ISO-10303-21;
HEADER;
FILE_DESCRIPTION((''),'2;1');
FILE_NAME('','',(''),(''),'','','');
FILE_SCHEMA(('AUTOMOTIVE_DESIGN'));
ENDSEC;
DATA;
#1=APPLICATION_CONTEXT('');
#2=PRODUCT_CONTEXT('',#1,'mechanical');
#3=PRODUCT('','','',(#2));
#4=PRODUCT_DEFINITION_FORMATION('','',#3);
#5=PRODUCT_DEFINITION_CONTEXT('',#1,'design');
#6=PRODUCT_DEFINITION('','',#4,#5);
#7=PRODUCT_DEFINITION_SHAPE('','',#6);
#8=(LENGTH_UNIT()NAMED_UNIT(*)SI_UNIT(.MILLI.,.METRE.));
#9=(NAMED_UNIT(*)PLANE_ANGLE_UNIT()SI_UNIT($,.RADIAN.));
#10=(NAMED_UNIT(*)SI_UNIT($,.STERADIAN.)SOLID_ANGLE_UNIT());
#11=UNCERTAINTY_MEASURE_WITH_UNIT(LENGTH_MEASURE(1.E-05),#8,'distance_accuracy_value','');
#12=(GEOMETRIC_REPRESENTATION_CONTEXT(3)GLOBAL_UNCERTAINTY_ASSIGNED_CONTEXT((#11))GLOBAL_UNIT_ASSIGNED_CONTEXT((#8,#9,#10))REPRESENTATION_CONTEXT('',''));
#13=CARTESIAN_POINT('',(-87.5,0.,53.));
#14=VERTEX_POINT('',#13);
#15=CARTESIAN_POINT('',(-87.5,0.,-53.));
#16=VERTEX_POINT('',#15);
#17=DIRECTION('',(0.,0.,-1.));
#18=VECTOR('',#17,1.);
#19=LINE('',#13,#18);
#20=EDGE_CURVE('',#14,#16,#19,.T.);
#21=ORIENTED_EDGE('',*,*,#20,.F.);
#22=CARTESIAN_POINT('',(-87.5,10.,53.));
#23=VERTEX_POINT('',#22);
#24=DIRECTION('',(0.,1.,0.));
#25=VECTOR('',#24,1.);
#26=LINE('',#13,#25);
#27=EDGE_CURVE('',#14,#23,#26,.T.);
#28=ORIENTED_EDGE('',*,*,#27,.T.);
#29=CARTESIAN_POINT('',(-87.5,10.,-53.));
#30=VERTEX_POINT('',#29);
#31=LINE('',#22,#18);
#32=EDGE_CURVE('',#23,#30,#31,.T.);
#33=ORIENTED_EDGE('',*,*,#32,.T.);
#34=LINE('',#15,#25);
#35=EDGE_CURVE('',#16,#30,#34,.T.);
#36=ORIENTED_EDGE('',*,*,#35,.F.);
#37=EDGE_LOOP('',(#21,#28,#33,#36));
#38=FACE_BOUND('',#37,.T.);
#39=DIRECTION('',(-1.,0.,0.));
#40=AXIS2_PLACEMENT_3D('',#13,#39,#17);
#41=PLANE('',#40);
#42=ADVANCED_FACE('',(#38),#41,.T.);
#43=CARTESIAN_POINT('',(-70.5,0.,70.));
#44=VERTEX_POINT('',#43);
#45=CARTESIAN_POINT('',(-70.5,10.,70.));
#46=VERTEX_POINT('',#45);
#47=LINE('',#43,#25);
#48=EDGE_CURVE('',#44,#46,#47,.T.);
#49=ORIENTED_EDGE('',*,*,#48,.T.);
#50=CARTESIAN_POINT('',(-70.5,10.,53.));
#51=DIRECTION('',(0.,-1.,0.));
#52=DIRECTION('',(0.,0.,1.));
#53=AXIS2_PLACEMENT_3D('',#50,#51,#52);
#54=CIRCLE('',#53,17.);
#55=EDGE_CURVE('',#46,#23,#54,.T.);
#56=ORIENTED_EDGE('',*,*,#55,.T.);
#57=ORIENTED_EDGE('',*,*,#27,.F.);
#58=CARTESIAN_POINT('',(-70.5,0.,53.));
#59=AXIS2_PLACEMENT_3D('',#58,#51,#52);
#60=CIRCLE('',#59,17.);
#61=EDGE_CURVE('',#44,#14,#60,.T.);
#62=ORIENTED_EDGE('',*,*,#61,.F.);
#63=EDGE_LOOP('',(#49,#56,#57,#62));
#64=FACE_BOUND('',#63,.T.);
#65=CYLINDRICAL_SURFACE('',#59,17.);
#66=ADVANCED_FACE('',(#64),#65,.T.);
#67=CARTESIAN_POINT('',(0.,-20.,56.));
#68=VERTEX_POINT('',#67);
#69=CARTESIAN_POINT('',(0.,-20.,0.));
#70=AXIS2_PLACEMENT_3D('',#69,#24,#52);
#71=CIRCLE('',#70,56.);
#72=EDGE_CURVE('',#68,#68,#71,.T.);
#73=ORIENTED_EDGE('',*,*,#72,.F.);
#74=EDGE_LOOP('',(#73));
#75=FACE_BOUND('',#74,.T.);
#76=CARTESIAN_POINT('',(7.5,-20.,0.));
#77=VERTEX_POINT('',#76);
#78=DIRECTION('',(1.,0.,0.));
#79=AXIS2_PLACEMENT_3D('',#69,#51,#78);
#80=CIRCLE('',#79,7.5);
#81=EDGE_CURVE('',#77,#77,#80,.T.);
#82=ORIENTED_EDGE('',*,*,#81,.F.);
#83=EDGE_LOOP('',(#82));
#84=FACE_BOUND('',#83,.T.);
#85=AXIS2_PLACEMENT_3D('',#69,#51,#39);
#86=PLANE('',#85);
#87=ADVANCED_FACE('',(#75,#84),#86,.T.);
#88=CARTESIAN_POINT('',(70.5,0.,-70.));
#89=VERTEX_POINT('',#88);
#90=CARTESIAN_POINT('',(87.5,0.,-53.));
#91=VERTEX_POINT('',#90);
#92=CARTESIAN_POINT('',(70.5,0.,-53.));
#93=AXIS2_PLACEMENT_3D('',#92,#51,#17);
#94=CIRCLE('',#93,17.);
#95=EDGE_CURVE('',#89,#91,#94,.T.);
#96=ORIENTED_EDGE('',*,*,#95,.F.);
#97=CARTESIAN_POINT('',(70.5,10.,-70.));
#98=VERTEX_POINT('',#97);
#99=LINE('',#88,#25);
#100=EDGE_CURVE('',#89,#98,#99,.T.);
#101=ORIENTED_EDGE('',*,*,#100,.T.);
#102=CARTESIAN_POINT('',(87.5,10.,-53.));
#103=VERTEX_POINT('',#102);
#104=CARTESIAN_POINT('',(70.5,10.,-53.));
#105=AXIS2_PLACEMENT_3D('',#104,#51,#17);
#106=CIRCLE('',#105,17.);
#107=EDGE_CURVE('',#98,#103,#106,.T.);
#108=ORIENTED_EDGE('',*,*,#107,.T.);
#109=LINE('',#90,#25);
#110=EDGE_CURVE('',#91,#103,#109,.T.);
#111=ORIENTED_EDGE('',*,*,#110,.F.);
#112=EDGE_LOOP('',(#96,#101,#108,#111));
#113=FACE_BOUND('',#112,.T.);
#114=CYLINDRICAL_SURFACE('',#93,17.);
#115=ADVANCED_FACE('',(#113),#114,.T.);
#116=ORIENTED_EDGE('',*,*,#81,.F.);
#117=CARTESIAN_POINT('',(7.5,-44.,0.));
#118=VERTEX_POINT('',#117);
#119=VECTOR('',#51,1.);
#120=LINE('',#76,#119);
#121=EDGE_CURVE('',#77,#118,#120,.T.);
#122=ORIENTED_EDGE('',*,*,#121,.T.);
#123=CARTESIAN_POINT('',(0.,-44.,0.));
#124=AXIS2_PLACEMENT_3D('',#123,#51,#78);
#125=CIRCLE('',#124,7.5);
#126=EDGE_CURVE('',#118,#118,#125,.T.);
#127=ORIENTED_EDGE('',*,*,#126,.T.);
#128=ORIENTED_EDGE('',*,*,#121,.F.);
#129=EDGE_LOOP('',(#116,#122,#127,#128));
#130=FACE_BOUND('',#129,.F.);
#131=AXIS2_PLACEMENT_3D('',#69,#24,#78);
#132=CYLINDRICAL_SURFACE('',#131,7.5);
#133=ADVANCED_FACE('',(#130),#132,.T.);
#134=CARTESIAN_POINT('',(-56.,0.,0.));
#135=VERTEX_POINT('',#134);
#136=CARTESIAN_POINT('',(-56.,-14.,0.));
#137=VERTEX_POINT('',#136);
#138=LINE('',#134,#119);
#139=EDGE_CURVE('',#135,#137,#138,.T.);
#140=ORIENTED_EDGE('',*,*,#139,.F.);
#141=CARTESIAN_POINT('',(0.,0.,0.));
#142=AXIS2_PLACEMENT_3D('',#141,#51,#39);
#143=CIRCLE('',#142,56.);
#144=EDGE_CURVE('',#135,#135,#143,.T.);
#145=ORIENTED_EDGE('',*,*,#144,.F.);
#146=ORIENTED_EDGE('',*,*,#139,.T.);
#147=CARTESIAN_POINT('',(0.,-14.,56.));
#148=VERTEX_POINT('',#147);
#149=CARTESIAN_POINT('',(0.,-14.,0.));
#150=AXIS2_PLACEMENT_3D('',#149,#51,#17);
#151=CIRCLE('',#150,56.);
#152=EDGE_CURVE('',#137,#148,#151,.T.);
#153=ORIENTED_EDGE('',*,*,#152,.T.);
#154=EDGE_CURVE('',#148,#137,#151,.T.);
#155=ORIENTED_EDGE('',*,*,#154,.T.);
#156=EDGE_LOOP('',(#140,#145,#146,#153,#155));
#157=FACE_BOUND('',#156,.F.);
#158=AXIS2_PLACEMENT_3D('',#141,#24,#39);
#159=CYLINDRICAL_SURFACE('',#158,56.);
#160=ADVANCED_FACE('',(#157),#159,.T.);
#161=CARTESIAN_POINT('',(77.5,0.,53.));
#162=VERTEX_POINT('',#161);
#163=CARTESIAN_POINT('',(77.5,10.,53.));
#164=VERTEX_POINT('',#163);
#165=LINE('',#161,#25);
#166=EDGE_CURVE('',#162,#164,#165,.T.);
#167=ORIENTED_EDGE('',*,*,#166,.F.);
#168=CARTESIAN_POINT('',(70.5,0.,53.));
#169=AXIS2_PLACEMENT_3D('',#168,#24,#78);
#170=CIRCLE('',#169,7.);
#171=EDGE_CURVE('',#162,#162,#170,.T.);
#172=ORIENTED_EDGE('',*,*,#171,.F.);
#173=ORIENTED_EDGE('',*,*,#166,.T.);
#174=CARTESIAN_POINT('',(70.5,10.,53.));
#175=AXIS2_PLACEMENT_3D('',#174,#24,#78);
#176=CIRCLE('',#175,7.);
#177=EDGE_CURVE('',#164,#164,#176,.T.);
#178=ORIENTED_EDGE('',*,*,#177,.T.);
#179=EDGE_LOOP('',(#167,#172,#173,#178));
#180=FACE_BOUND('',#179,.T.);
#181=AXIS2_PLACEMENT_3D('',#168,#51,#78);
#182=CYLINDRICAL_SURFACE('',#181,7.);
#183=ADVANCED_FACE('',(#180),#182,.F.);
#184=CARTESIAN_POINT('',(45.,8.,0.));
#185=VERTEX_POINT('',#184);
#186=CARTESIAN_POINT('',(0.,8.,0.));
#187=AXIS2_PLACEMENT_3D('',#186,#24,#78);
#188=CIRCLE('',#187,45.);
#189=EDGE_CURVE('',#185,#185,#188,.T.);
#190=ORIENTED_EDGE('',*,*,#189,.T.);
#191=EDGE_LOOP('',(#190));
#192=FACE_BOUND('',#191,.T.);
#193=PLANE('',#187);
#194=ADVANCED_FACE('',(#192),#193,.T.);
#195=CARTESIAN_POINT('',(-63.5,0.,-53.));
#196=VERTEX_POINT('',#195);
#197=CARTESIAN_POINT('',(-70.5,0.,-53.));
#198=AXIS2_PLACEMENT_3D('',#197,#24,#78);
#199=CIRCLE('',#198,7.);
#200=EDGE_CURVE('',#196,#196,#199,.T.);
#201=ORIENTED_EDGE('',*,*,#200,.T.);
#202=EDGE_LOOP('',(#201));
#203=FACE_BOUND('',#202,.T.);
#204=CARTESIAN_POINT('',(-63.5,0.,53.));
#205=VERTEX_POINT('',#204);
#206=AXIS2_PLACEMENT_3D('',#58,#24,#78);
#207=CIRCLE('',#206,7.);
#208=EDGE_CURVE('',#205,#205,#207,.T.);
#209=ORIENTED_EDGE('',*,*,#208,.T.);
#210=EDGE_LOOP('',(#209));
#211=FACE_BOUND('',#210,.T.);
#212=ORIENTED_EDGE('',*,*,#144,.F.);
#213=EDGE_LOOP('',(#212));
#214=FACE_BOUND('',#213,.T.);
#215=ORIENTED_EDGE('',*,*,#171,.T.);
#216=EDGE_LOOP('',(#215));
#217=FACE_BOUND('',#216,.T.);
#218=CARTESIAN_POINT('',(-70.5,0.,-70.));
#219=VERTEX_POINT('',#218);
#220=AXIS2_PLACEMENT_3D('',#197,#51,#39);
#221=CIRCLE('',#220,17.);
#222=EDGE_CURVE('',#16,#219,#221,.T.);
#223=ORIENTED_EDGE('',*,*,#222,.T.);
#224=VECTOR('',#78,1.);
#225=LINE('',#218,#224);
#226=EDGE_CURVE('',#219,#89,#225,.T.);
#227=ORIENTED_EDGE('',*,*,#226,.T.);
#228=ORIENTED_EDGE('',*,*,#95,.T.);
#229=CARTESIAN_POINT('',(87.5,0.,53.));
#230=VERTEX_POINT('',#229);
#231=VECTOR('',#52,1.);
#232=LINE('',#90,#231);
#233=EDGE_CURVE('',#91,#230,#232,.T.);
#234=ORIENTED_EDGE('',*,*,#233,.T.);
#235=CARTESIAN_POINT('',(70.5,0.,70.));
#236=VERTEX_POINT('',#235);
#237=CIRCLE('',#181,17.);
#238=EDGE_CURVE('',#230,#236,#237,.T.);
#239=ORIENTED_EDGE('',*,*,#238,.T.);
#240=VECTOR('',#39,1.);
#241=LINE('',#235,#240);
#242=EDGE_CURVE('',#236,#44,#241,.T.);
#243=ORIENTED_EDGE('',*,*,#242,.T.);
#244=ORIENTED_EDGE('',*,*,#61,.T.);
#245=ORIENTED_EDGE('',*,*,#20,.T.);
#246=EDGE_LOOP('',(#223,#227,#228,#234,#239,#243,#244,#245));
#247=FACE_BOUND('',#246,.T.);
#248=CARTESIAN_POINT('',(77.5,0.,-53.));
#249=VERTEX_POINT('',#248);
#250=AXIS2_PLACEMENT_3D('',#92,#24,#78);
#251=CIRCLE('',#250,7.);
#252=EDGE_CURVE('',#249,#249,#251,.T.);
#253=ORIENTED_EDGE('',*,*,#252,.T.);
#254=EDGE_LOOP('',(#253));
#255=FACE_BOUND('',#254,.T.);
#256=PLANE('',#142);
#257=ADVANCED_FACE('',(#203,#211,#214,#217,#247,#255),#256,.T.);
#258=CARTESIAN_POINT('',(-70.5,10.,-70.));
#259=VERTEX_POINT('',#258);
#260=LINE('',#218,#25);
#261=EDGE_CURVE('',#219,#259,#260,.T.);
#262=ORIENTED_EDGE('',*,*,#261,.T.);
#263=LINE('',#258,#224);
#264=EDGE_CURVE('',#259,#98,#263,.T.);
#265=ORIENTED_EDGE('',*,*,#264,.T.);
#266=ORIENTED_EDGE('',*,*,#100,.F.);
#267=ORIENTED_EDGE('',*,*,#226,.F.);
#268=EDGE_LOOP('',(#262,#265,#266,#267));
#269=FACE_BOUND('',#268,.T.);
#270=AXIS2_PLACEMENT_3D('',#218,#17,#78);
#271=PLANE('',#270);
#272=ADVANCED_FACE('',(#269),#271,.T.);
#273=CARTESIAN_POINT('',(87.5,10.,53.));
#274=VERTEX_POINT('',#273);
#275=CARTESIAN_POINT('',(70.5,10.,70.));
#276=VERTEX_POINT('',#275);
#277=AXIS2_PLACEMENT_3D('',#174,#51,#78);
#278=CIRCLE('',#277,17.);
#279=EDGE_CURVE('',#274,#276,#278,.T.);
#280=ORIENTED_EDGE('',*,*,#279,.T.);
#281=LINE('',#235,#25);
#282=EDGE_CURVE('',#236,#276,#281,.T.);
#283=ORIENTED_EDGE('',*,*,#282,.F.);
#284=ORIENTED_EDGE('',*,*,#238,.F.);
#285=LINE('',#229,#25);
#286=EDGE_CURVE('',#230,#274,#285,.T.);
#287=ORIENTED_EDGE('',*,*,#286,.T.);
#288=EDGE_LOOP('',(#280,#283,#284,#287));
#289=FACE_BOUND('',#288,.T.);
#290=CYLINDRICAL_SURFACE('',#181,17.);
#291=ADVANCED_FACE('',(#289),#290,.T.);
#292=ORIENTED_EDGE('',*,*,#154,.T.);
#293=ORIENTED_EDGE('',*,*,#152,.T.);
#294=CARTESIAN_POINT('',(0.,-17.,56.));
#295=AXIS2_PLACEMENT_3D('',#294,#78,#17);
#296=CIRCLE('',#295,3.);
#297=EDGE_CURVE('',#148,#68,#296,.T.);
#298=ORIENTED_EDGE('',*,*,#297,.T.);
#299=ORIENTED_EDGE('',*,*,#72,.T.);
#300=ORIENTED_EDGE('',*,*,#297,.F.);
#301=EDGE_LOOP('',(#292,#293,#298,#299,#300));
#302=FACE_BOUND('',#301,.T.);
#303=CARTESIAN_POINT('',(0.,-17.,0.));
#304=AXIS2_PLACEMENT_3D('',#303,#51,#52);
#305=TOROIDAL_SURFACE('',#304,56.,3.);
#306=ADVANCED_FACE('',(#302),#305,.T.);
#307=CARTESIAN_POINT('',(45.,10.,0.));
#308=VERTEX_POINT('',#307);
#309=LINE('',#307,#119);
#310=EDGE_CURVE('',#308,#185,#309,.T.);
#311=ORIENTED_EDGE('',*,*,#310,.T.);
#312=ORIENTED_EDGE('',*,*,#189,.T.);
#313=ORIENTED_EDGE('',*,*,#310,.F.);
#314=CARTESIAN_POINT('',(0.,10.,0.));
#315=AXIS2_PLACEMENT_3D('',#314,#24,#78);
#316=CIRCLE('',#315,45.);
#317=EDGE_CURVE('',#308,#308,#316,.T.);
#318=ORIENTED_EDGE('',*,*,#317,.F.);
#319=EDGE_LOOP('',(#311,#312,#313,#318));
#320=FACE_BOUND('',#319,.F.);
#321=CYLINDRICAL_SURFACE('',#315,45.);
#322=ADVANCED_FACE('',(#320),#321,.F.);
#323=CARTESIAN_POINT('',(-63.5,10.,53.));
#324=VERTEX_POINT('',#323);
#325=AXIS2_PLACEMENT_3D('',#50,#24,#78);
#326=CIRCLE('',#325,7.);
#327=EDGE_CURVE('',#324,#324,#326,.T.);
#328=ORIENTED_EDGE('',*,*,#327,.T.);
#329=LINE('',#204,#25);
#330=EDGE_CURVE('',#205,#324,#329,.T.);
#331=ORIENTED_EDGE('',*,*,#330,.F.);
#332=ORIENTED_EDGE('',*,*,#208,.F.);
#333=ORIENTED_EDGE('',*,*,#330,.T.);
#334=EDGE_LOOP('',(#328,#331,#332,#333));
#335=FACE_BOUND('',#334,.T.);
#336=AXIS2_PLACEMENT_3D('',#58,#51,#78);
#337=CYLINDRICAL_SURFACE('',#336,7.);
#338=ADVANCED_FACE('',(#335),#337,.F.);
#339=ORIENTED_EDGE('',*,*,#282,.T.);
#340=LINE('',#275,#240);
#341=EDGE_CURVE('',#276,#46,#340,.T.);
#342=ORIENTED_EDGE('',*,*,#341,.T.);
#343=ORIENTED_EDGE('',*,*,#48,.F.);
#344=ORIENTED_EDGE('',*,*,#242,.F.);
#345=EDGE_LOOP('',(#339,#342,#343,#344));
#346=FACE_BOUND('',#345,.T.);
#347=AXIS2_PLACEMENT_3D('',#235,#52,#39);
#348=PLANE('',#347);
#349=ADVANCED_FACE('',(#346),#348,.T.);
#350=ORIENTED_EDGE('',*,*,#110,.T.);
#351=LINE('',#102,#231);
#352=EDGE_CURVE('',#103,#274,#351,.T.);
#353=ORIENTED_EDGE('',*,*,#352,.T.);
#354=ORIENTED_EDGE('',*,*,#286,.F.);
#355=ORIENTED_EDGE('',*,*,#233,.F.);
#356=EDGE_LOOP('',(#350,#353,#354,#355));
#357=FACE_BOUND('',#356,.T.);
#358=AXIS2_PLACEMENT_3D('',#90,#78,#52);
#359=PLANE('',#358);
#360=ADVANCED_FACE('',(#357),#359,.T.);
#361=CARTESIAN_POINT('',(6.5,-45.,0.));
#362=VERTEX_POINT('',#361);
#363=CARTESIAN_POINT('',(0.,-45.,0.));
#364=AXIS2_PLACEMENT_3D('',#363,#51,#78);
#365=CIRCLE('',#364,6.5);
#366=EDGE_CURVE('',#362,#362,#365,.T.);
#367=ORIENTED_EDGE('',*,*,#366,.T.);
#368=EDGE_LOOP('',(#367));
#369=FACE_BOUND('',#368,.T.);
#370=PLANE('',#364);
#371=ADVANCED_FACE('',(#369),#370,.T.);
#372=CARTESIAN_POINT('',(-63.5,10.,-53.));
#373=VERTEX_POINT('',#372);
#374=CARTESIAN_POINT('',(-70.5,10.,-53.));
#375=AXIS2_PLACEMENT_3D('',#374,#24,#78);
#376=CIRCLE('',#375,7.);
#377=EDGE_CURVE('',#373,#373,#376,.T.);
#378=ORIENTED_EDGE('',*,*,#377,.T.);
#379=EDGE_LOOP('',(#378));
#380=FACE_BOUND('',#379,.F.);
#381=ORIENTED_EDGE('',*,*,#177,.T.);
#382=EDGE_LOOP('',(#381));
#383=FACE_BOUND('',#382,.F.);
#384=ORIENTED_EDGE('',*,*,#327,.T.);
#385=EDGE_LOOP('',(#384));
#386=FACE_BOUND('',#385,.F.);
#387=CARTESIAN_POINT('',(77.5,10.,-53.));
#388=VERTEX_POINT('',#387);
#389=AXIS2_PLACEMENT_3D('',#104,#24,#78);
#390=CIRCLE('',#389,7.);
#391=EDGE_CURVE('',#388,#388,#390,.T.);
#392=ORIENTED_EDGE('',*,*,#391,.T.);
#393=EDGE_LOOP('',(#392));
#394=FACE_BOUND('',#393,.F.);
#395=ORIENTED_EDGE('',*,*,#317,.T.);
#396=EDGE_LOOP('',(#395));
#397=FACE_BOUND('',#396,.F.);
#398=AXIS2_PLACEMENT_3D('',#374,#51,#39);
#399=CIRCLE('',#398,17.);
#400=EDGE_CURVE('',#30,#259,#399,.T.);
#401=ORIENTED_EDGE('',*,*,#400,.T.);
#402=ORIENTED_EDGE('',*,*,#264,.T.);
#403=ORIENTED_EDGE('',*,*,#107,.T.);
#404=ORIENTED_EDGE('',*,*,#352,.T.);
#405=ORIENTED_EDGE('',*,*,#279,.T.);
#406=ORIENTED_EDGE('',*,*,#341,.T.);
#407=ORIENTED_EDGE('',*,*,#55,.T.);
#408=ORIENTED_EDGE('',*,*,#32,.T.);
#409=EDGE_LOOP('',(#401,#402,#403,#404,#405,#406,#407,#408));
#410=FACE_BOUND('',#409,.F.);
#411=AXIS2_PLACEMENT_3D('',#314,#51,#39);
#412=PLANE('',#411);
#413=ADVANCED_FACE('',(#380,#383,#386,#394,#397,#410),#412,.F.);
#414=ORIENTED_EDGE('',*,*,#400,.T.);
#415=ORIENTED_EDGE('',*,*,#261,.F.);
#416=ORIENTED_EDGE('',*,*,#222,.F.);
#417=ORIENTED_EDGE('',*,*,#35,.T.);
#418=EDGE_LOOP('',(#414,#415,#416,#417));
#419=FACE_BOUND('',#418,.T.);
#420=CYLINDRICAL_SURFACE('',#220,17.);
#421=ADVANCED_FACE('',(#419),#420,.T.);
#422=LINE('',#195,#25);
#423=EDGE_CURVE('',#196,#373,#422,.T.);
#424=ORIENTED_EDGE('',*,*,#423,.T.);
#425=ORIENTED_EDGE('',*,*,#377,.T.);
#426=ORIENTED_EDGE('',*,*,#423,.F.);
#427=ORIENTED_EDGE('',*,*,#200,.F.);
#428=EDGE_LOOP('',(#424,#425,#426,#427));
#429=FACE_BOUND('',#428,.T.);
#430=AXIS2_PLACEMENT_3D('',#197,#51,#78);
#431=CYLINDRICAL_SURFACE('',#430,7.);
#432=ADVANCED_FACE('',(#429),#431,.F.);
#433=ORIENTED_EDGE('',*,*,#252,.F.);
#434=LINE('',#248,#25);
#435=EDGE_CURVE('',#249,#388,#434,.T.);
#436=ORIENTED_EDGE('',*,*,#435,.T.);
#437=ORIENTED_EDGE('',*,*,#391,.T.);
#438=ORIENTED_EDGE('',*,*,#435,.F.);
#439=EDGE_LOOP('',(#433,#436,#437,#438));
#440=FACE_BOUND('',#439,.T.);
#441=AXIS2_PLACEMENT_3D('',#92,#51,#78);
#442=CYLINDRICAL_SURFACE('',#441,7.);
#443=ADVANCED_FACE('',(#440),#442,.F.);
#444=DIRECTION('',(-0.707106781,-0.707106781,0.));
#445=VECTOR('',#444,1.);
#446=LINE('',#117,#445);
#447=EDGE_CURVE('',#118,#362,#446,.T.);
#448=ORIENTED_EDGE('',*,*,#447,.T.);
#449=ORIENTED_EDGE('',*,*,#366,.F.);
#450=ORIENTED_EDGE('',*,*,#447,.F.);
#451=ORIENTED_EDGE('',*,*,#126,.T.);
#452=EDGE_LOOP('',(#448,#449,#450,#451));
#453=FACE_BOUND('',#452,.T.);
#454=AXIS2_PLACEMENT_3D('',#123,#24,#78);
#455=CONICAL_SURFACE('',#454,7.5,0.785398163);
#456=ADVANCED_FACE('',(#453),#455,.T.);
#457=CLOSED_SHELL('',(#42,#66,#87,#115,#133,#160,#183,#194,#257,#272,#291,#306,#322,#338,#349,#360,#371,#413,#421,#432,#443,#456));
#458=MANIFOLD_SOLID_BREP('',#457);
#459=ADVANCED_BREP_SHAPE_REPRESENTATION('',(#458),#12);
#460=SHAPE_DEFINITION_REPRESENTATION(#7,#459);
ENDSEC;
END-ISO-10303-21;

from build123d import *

# Parameters (mm, degrees)
SKETCH1_R           = 7
BOSS_EXTRUDE2_DEPTH = 10
SKETCH3_R           = 56
BOSS_EXTRUDE4_DEPTH = 20
SKETCH5_R           = 3
SKETCH6_R           = 7.5
BOSS_EXTRUDE5_DEPTH = 25
CHAMFER1_SIZE       = 1
SKETCH7_R           = 45
CUT_EXTRUDE2_DEPTH  = 2


with BuildPart() as part:
    # Sketch1 → Boss-Extrude2 (new body)
    with BuildSketch(Plane(origin=(0, 0, 0), x_dir=(1, 0, 0), z_dir=(0, 1, 0))):
        with BuildLine():
            Line((-70.5, 70), (70.5, 70))
            ThreePointArc((70.5, 70), (82.52081528, 65.02081528), (87.5, 53))
            Line((87.5, 53), (87.5, -53))
            ThreePointArc((87.5, -53), (82.52081528, -65.02081528), (70.5, -70))
            Line((70.5, -70), (-70.5, -70))
            ThreePointArc((-70.5, -70), (-82.52081528, -65.02081528), (-87.5, -53))
            Line((-87.5, -53), (-87.5, 53))
            ThreePointArc((-87.5, 53), (-82.52081528, 65.02081528), (-70.5, 70))
        make_face()
        with Locations((-70.5, 53)):
            Circle(SKETCH1_R, mode=Mode.SUBTRACT)
        with Locations((70.5, 53)):
            Circle(SKETCH1_R, mode=Mode.SUBTRACT)
        with Locations((70.5, -53)):
            Circle(SKETCH1_R, mode=Mode.SUBTRACT)
        with Locations((-70.5, -53)):
            Circle(SKETCH1_R, mode=Mode.SUBTRACT)
    extrude(amount=BOSS_EXTRUDE2_DEPTH)

    # Sketch3 → Boss-Extrude4 (add)
    with BuildSketch(Plane(origin=(0, 0, 0), x_dir=(-1, 0, 0), z_dir=(0, -1, 0))):
        Circle(SKETCH3_R)
    extrude(amount=BOSS_EXTRUDE4_DEPTH)

    # Sketch5 → Revolve1 (revolve)
    with BuildSketch(Plane(origin=(0, 0, 0), x_dir=(0, 0, -1), z_dir=(1, 0, 0))):
        with Locations((-56, -17)):
            Circle(SKETCH5_R)
    revolve(axis=Axis((0, 0, 0), (0, -1, 0)))

    # Sketch6 → Boss-Extrude5 (add)
    with BuildSketch(Plane.XZ.offset(20)):
        Circle(SKETCH6_R)
    extrude(amount=BOSS_EXTRUDE5_DEPTH)

    # Chamfer1
    chamfer1_edges = [part.edges().sort_by_distance(p)[0] for p in [
        (-7.5, -45, 0),
    ]]
    chamfer(chamfer1_edges, length=CHAMFER1_SIZE)

    # Sketch7 → Cut-Extrude2 (cut)
    with BuildSketch(Plane(origin=(0, 10, 0), x_dir=(1, 0, 0), z_dir=(0, 1, 0))):
        Circle(SKETCH7_R)
    extrude(amount=-CUT_EXTRUDE2_DEPTH, mode=Mode.SUBTRACT)


solid = part.part
